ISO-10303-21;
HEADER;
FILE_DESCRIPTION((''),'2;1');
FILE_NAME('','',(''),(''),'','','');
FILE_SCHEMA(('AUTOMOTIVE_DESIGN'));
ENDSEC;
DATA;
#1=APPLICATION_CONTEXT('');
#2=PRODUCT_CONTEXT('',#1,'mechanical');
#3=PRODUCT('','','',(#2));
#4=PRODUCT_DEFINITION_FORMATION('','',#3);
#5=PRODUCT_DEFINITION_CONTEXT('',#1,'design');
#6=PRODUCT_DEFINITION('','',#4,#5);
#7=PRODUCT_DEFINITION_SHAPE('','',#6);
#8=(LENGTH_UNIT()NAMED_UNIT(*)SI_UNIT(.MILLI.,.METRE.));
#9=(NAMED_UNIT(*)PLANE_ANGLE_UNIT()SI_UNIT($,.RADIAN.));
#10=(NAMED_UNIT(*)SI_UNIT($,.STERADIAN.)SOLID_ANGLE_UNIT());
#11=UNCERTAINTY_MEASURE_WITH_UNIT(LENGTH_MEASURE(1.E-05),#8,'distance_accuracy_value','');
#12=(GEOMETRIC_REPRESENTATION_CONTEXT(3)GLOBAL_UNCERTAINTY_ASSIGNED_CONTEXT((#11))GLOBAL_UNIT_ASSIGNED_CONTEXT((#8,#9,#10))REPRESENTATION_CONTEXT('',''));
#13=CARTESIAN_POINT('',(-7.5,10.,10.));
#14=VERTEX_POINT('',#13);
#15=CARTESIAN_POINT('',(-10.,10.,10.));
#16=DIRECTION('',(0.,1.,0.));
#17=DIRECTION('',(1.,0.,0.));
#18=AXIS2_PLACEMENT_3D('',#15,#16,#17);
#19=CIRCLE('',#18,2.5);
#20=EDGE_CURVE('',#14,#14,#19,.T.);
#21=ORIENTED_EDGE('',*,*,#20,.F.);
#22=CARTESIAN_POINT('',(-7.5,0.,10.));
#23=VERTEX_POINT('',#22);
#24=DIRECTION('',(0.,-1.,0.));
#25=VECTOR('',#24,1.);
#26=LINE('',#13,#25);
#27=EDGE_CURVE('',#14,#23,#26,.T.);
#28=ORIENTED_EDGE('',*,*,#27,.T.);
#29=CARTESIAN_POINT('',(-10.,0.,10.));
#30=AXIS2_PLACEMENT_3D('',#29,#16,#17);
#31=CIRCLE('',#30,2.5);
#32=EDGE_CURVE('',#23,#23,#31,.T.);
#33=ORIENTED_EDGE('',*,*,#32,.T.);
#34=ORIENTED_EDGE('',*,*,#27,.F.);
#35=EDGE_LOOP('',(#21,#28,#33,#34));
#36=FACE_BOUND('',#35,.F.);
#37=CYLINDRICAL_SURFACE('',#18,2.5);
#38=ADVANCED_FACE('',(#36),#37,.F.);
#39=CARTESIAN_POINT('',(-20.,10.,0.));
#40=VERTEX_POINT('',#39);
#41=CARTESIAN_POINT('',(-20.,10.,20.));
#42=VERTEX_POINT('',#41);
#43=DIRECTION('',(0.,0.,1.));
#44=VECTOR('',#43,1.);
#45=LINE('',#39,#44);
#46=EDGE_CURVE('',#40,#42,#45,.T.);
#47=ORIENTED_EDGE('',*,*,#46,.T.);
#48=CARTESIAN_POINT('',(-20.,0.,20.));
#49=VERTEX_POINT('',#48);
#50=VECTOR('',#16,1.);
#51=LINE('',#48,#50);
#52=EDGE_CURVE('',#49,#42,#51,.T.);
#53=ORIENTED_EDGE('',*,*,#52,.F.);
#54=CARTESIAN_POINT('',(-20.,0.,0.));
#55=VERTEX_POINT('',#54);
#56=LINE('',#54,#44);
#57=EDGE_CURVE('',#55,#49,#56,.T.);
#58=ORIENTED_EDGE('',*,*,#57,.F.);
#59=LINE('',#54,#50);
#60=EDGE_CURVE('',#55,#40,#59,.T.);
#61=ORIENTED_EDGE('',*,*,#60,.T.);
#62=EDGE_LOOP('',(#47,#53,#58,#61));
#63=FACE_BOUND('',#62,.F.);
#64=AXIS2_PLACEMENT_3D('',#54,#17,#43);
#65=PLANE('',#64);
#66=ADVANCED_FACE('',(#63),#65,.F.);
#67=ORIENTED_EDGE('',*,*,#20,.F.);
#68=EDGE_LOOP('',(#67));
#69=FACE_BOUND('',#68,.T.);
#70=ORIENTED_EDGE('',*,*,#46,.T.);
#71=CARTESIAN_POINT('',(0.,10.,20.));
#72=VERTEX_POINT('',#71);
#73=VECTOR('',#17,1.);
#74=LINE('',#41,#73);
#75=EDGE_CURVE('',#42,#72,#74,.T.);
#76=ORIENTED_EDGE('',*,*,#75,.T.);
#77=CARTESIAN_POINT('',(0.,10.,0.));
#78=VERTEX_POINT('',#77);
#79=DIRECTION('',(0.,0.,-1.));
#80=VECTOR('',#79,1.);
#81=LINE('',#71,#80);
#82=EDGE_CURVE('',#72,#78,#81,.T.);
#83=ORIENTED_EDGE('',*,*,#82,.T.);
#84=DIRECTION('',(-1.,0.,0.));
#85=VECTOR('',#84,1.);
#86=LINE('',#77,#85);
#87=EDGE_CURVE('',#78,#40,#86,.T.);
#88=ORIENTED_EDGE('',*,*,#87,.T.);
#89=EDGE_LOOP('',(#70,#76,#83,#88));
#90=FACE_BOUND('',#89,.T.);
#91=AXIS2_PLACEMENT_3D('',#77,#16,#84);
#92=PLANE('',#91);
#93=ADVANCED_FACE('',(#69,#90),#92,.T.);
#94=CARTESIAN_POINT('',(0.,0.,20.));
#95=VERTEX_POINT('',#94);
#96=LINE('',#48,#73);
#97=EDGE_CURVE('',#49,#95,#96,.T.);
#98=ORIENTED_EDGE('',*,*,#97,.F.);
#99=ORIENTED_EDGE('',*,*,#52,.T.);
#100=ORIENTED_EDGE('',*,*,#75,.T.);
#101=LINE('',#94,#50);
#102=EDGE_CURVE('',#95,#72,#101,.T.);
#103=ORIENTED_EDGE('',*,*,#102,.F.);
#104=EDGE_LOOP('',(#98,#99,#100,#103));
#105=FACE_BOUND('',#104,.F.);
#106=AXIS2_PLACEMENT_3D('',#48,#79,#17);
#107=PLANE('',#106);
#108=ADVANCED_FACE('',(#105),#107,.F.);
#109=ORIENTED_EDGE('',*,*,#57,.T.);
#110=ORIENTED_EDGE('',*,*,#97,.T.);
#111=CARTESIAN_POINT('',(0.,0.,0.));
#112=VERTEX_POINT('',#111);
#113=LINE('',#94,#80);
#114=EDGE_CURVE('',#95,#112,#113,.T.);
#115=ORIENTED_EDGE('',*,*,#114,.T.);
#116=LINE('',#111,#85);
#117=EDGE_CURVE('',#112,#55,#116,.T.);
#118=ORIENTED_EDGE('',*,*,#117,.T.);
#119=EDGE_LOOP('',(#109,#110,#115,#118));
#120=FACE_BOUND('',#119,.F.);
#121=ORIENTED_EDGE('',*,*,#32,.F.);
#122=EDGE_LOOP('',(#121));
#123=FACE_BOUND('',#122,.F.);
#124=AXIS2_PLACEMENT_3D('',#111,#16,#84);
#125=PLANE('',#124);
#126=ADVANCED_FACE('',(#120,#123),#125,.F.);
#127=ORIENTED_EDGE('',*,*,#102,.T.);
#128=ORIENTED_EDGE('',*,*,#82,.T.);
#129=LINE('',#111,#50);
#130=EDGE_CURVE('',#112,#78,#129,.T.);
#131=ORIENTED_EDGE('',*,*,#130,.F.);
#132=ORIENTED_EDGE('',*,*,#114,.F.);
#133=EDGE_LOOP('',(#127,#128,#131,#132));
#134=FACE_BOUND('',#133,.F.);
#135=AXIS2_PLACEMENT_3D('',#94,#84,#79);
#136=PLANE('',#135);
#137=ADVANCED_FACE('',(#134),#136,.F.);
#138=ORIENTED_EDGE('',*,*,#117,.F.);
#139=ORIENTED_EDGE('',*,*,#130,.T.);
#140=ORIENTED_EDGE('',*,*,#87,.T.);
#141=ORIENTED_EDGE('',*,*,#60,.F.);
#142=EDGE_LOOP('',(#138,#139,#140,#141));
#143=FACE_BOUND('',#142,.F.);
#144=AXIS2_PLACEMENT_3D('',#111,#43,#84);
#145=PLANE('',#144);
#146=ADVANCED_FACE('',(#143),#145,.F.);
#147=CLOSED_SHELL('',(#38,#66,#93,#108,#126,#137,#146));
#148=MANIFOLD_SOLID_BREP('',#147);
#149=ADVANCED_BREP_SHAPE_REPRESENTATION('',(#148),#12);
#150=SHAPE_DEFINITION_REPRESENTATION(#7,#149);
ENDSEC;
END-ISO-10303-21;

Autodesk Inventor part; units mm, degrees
ref_plane "YZ Plane" through (0, 0, 0) normal (1, 0, 0) x (0, 1, 0)
ref_plane "XZ Plane" through (0, 0, 0) normal (0, 1, 0) x (-1, 0, 0)
ref_plane "XY Plane" through (0, 0, 0) normal (0, 0, 1) x (1, 0, 0)
sketch "Sketch1" plane through (0, 0, 0) normal (0, 1, 0) x (-1, 0, 0)
  line L0 (0, 0) -> (20, 0)
  line L1 (20, 0) -> (20, 20)
  line L2 (20, 20) -> (0, 20)
  line L3 (0, 20) -> (0, 0)
  dimension "d0" = 20
  dimension "d1" = 20
extrude "Extrusion1" add sketch "Sketch1" along normal blind 10
sketch "Sketch2" plane through (0, 10, 0) normal (0, 1, 0) x (1, 0, 0)
  line L0 (0, 0) -> (-20, 0) construction
  line L1 (-10, 0) -> (-10, -20) construction
  line L2 (-20, -20) -> (0, -20) construction
  line L3 (-20, 0) -> (-20, -20) construction
  line L4 (-20, -10) -> (0, -10) construction
  line L5 (0, -20) -> (0, 0) construction
  circle A0 centre (-10, -10) radius 2.5
  dimension "d4" = 5
extrude "Extrusion3" cut sketch "Sketch2" against normal blind 20
properties part number "Insert Test"
